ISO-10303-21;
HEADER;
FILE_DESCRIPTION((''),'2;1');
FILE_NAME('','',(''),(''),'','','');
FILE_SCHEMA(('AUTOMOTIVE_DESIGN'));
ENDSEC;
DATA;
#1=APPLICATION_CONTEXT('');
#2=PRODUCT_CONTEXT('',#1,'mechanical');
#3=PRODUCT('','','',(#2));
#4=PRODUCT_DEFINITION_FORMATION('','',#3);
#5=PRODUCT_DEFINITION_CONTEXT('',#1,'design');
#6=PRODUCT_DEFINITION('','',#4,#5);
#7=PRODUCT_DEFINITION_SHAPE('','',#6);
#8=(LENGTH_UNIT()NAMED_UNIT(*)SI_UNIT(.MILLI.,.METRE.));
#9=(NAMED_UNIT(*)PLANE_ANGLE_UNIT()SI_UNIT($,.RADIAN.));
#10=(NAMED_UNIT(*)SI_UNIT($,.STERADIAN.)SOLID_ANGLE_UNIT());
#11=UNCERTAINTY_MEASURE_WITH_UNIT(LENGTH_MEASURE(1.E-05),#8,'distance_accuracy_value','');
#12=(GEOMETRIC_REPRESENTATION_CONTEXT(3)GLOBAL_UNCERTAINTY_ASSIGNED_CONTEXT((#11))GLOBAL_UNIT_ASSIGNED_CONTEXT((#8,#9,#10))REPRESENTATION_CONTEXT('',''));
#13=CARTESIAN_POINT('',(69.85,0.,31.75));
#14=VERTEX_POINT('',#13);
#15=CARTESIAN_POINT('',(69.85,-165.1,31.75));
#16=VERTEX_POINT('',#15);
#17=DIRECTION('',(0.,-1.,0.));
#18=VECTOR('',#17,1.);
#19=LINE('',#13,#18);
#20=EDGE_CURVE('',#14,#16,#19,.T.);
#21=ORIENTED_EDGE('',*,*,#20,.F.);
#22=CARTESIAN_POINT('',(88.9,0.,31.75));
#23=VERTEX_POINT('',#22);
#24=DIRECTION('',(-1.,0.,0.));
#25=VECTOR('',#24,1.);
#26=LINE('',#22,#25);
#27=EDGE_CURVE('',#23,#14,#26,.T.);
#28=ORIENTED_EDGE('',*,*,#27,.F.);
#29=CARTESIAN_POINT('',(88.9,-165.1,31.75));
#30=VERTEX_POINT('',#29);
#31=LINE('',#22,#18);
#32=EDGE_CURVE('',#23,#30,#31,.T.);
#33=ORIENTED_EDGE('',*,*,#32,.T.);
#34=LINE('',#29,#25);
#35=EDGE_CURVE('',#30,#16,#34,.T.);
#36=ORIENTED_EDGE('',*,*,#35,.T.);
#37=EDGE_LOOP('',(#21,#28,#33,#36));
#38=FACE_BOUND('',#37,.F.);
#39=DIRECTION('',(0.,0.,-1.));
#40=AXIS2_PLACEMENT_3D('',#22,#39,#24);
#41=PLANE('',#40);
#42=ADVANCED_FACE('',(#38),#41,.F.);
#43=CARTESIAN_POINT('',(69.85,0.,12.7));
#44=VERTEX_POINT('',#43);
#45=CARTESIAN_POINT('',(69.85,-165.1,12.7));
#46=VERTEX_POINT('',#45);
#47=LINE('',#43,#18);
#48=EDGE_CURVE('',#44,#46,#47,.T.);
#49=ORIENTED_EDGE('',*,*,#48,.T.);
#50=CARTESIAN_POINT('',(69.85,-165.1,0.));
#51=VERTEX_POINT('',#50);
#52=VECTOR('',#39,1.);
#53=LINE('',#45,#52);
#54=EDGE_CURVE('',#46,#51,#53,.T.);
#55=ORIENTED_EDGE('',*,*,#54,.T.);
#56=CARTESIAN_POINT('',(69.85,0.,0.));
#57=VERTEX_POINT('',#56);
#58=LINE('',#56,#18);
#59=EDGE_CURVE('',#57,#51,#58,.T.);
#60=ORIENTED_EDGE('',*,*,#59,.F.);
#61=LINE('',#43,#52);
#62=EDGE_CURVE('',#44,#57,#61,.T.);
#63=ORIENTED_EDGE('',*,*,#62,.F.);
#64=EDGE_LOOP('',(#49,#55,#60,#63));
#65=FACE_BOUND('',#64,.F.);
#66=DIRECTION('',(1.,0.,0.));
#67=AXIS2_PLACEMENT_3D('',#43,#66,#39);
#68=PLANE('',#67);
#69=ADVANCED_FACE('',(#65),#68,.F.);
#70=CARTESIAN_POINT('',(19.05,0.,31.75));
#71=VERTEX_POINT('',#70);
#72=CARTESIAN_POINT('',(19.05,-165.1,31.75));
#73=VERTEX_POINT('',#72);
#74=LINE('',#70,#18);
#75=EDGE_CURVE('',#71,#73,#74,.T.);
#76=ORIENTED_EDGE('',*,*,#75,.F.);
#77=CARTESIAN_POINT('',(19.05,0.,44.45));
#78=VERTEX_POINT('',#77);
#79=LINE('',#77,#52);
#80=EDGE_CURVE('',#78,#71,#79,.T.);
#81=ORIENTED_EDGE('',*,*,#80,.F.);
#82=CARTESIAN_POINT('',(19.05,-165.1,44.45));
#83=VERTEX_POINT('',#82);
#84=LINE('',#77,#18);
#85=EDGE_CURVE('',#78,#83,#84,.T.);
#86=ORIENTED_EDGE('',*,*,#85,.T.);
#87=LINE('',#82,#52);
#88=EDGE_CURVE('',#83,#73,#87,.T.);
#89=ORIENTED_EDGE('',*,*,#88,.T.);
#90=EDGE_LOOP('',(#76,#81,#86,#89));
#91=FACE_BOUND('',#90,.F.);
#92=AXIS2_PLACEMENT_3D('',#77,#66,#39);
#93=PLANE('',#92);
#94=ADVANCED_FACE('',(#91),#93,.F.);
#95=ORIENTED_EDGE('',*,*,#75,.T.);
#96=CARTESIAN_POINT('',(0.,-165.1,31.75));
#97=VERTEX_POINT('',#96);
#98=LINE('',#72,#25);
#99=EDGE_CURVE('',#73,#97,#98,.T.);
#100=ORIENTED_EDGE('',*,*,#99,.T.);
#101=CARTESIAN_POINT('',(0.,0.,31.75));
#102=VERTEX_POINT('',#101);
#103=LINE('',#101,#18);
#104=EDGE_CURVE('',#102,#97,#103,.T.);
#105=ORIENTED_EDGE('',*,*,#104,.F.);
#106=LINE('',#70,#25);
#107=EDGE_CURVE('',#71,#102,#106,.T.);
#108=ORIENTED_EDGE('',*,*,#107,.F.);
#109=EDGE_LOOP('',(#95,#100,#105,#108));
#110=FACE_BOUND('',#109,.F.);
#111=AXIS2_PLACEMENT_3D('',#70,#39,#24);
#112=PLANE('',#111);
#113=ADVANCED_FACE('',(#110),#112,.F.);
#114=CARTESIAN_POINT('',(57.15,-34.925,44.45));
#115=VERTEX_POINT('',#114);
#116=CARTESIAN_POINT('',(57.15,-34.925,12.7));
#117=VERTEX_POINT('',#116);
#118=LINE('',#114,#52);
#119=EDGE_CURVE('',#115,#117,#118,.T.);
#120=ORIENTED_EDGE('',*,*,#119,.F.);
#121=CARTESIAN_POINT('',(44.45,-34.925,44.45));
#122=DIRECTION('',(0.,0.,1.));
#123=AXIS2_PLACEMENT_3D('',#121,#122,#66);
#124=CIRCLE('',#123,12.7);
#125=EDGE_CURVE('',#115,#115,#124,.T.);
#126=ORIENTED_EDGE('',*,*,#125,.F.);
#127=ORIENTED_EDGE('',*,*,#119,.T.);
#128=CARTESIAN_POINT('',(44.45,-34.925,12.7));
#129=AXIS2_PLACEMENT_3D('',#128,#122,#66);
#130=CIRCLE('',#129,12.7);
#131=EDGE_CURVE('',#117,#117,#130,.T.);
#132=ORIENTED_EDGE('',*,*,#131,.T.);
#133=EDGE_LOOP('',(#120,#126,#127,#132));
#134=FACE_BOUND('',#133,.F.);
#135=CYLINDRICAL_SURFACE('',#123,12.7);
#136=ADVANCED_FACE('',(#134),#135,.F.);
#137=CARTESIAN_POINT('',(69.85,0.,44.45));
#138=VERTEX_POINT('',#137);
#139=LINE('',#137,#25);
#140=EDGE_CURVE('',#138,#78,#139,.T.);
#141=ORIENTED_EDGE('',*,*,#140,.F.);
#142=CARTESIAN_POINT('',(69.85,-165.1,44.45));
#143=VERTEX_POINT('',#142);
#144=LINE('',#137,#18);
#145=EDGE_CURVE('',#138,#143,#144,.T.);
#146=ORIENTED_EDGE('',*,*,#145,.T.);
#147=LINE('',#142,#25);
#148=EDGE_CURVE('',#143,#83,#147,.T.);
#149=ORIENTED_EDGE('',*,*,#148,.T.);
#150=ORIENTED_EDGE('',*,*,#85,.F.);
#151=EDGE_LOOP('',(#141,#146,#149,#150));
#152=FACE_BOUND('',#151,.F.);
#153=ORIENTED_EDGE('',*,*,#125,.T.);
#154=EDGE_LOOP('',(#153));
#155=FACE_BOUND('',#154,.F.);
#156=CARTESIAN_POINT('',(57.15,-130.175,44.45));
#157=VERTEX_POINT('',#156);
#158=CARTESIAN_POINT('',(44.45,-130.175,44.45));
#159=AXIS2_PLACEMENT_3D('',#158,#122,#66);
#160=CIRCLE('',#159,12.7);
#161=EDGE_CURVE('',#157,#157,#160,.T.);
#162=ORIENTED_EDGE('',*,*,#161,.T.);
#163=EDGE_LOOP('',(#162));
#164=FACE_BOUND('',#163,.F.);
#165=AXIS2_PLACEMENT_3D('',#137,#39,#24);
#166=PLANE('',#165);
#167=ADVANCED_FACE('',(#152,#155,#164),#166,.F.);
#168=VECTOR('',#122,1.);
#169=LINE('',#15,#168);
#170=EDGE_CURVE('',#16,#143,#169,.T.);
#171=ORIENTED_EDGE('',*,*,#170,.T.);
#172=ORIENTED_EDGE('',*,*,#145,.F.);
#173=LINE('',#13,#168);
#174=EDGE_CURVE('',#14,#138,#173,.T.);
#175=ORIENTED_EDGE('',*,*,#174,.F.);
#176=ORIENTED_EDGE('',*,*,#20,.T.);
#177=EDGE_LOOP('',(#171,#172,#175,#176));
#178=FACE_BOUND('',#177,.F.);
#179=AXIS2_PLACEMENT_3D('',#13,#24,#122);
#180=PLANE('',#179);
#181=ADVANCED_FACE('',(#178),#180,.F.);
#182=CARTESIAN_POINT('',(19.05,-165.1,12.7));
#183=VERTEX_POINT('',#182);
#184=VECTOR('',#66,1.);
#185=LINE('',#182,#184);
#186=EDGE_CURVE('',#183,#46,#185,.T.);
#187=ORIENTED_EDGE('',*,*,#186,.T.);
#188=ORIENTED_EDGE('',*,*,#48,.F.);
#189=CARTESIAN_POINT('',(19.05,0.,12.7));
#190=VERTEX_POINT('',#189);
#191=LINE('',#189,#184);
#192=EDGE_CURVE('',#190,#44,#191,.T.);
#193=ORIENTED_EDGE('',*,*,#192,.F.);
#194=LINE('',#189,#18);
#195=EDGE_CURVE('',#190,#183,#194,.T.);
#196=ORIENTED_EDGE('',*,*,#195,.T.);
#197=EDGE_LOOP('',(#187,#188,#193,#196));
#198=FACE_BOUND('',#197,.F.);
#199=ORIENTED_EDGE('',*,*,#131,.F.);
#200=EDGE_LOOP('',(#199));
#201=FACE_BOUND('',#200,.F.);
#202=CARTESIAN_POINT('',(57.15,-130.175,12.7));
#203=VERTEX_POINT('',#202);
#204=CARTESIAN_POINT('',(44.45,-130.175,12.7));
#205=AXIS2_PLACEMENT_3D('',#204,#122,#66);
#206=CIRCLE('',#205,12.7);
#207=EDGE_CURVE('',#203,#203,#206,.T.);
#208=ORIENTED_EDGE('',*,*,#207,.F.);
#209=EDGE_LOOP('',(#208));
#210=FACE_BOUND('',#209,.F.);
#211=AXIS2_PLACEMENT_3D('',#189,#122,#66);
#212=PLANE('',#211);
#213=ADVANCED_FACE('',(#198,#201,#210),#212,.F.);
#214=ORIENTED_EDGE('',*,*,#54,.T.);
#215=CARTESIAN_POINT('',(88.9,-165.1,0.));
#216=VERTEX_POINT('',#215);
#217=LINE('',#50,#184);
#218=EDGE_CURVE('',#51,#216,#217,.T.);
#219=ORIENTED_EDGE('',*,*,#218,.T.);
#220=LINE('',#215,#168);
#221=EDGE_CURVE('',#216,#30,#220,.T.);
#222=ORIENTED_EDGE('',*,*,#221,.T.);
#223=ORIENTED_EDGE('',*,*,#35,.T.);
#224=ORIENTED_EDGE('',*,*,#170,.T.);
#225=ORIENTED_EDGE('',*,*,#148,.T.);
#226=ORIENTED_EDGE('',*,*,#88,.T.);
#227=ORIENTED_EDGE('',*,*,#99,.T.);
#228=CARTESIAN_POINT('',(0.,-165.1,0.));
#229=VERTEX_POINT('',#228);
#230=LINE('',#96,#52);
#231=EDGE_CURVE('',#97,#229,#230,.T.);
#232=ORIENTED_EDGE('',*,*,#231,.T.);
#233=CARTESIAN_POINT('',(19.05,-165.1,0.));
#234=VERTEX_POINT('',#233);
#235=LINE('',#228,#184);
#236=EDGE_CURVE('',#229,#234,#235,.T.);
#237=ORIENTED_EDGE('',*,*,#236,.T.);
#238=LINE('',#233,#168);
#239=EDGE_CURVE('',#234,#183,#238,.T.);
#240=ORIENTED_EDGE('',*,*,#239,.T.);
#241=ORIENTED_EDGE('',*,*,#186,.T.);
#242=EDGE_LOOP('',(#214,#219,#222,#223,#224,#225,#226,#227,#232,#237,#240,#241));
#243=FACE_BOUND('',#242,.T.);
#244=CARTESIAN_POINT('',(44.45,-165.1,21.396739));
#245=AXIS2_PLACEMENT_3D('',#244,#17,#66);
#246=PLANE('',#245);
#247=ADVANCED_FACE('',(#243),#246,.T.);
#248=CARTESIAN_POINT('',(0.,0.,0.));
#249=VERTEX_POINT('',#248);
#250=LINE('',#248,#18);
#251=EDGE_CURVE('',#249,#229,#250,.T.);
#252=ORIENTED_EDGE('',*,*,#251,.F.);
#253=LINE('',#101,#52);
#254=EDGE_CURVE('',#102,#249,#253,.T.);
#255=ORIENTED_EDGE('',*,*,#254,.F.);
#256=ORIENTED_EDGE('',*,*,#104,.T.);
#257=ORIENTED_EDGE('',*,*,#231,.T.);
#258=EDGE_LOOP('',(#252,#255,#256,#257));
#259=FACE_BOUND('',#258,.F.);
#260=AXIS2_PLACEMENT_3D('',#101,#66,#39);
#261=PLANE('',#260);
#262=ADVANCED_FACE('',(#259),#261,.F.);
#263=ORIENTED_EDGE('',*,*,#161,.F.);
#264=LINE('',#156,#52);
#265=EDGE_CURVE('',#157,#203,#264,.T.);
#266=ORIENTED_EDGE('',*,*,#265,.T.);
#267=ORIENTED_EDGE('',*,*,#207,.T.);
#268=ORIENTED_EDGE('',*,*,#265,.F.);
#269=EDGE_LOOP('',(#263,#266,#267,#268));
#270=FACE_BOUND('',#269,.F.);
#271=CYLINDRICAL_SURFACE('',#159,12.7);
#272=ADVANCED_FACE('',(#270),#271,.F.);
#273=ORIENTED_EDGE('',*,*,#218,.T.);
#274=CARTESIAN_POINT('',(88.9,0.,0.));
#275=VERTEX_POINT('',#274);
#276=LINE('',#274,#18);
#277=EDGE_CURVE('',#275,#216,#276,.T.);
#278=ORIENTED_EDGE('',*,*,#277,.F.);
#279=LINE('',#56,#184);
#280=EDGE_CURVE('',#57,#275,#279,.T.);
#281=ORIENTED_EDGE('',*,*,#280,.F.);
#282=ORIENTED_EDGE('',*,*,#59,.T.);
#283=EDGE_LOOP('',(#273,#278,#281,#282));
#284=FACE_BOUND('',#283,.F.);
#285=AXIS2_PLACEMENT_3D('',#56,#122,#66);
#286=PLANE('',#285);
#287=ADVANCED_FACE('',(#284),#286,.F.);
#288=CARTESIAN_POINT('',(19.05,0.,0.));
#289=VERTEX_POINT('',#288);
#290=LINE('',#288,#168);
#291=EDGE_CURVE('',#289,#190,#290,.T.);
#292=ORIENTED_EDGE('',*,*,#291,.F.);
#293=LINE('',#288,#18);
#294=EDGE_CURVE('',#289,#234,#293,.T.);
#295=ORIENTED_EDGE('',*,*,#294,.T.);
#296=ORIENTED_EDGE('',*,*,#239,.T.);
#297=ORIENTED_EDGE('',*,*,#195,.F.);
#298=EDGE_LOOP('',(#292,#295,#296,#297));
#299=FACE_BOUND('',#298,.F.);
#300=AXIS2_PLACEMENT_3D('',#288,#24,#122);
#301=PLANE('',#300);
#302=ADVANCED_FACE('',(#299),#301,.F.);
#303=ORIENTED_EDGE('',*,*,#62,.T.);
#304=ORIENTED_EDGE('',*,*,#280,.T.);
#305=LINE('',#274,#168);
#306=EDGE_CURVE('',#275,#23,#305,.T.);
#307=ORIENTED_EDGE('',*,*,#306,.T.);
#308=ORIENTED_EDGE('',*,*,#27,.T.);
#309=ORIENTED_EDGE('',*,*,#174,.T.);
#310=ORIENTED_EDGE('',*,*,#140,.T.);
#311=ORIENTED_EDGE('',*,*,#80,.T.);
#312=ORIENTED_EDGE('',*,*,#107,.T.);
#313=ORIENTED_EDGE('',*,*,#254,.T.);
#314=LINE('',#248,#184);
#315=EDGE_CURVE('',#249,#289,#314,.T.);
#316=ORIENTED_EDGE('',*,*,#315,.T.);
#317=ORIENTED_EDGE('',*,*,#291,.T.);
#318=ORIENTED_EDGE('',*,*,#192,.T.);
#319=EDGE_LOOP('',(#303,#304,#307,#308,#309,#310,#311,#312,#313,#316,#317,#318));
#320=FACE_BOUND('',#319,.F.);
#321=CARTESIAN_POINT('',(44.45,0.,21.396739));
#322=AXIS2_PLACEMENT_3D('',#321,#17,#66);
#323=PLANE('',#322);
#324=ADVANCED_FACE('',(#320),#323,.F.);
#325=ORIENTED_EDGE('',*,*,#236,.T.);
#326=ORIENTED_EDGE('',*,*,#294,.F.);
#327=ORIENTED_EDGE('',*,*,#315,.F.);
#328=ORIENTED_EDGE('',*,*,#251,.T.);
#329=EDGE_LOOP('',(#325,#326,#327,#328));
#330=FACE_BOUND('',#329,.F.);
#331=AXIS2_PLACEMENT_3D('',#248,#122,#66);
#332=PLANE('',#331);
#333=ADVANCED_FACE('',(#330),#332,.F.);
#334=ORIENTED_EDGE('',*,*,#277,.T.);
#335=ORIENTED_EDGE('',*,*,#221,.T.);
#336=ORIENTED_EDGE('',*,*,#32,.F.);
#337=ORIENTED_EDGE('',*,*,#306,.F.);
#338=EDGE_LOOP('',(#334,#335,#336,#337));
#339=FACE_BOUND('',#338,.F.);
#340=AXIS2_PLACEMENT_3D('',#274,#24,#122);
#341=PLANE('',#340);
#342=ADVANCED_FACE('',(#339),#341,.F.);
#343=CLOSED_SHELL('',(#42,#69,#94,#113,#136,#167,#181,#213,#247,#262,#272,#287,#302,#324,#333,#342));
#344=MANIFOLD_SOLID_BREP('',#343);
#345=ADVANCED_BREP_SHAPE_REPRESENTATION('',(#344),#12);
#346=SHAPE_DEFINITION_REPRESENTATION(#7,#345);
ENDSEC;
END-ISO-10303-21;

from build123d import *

# Parameters (mm, degrees)
F1_DEPTH = 165.1
F2_R     = 12.7
F3_DEPTH = 31.75


with BuildPart() as f1:
    # F0 (on Front) → F1 (new body)
    with BuildSketch(Plane.XZ):
        Polygon((0, 31.75), (0, 0), (19.05, 0), (19.05, 12.7), (69.85, 12.7), (69.85, 0), (88.9, 0), (88.9, 31.75), (69.85, 31.75), (69.85, 44.45), (19.05, 44.45), (19.05, 31.75), align=None)
    extrude(amount=F1_DEPTH)

    # F2 (on face) → F3 (cut, through all)
    with BuildSketch(Plane.XY.offset(44.45)):
        with Locations((44.45, -34.925)):
            Circle(F2_R)
        with Locations((44.45, -130.175)):
            Circle(F2_R)
    extrude(amount=-F3_DEPTH, mode=Mode.SUBTRACT)


solid = f1.part
